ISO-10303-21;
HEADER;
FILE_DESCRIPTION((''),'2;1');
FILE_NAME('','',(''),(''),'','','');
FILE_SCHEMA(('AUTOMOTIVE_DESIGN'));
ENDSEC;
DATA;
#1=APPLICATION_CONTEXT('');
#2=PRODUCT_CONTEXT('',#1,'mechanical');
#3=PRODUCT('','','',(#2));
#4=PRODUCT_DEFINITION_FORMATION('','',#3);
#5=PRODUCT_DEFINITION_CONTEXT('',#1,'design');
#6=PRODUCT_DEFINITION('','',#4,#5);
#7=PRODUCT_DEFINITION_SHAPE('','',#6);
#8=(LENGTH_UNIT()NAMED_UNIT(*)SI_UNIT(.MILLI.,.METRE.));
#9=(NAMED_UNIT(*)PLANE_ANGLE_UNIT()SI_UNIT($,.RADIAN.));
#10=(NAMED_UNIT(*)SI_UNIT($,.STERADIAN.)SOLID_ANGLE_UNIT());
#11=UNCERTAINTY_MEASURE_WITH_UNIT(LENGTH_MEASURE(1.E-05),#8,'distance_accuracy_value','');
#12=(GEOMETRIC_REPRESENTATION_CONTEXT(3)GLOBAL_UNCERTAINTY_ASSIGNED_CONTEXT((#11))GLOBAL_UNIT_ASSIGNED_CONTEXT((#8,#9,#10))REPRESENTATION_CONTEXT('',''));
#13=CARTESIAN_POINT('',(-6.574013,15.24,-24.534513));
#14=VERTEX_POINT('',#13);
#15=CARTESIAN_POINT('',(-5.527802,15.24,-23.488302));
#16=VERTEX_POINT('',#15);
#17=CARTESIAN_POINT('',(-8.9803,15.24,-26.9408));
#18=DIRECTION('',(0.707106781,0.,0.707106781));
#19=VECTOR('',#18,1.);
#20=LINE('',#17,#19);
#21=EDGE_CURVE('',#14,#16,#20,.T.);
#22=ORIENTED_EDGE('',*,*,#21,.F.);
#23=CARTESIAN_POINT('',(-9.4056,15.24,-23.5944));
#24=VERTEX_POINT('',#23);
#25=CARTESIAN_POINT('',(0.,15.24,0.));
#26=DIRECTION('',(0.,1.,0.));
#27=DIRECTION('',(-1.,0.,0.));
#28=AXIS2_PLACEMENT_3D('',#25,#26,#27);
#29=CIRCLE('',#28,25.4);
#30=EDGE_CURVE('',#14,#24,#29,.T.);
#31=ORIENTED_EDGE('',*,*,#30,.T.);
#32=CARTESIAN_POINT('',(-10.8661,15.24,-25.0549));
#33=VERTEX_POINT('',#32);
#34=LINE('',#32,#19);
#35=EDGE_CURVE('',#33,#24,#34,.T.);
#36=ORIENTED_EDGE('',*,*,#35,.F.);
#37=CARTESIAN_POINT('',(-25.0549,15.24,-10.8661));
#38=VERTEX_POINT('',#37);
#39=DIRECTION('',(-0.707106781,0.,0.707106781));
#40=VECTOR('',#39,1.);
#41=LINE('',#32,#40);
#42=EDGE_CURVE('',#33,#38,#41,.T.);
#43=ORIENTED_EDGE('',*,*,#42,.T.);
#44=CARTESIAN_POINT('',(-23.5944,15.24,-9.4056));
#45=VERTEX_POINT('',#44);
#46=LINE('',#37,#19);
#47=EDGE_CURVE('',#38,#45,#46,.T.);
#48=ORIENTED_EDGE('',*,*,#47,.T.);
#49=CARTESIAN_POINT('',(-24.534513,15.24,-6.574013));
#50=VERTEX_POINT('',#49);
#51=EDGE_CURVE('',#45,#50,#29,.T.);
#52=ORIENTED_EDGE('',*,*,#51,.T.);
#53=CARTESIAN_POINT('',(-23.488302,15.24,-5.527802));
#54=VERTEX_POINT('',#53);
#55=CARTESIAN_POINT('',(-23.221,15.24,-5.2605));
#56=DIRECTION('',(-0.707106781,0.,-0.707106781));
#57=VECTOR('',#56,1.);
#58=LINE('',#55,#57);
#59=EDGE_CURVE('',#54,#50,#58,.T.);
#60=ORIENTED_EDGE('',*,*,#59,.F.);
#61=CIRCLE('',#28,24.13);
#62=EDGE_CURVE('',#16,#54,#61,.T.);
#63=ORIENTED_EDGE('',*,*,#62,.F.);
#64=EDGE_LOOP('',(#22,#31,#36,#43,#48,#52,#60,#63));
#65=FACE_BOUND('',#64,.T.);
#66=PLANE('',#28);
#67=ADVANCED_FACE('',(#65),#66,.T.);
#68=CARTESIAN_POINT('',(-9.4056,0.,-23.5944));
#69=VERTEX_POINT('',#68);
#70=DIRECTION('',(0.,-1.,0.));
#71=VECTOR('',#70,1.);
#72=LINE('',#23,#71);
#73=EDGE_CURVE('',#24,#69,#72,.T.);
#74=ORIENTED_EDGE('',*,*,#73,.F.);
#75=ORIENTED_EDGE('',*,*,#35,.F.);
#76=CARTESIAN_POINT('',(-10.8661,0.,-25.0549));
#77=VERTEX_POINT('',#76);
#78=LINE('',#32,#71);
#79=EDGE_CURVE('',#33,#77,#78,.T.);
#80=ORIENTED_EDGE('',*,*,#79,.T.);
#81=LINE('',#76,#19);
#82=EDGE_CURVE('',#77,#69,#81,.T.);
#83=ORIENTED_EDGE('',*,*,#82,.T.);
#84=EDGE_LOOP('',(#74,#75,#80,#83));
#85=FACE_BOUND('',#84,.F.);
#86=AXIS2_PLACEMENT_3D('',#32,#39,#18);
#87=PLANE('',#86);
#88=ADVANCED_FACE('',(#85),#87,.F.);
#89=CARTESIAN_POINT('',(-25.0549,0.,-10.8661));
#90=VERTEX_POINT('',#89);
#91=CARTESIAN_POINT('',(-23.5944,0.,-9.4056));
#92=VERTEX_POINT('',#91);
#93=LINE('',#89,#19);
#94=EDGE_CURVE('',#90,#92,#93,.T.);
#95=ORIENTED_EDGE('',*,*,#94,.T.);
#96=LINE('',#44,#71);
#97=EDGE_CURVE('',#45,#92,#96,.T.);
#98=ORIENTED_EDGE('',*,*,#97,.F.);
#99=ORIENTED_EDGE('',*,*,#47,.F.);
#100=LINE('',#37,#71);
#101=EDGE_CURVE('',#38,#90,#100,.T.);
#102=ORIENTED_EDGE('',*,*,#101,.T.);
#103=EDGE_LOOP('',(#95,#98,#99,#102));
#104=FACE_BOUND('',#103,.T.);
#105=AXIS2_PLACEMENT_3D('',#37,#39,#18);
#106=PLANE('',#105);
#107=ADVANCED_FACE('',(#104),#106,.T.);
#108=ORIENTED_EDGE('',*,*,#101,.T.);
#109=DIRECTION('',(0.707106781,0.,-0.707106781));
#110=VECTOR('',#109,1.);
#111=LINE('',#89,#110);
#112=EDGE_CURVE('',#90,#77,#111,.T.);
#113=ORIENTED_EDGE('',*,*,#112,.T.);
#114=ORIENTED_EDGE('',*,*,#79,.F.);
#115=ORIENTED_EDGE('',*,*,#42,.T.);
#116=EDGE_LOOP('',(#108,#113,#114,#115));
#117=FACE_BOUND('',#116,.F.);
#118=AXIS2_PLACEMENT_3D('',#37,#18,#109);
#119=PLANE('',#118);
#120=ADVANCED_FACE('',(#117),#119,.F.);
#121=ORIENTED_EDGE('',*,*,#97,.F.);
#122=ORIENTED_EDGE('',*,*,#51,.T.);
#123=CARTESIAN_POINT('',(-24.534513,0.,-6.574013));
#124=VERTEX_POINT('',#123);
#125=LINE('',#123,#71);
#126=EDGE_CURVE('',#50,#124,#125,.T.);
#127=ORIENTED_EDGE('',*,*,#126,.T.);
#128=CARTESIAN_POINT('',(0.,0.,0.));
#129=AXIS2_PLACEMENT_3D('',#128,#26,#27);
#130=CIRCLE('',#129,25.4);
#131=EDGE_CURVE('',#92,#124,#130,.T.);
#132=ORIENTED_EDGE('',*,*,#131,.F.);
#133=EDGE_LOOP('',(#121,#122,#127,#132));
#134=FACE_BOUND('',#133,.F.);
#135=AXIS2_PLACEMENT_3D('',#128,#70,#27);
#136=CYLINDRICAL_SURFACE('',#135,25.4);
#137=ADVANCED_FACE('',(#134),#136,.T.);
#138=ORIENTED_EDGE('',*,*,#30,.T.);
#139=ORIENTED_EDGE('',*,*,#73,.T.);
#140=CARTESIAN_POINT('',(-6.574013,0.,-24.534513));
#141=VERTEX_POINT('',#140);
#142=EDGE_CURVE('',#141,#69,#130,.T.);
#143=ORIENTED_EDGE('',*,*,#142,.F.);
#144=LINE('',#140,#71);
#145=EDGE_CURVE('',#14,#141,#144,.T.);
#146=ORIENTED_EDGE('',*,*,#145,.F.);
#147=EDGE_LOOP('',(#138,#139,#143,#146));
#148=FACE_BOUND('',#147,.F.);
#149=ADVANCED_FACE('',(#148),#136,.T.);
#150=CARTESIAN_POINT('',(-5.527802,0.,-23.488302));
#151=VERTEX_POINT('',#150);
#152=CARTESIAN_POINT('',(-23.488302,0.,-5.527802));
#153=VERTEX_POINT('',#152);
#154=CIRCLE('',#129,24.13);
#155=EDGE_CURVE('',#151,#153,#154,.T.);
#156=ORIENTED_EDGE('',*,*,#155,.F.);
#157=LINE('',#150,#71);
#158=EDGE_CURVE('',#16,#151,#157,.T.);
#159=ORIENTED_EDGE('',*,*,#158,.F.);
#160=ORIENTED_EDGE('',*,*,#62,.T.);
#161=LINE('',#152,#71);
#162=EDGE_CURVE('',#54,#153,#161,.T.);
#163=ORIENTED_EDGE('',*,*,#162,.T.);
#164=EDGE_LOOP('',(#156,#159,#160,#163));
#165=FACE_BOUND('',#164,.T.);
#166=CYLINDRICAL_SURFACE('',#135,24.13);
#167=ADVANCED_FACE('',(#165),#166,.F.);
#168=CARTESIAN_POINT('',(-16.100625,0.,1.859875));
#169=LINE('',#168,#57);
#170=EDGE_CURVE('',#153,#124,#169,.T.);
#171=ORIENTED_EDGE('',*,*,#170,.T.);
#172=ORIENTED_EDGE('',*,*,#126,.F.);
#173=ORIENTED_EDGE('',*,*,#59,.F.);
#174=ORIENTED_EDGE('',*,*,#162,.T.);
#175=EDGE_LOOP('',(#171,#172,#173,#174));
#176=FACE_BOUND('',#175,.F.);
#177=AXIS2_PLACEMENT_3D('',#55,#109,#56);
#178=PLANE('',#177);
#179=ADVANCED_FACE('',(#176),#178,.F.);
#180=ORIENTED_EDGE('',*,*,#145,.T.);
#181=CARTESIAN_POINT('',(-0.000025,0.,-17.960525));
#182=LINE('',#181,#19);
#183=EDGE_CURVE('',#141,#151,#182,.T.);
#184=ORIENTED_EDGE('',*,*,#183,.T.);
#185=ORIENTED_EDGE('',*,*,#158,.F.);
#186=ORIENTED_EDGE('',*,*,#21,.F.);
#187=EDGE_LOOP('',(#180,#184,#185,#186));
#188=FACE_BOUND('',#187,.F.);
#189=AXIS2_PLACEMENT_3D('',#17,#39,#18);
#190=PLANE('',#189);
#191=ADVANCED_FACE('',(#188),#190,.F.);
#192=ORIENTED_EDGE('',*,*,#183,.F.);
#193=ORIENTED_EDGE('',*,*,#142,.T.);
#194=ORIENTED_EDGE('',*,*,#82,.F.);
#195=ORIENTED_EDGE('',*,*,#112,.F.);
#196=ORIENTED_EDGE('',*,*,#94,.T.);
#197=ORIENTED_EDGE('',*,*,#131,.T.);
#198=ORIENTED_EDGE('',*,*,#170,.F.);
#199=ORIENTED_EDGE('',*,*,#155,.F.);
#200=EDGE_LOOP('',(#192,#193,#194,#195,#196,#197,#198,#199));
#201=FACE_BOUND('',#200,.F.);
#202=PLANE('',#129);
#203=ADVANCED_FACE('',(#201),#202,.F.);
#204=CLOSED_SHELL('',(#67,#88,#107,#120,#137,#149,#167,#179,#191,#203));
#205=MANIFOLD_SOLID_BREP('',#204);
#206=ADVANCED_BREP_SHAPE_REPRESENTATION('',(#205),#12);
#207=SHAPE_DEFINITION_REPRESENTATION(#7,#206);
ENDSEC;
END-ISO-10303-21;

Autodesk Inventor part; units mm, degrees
ref_plane "YZ Plane" through (0, 0, 0) normal (1, 0, 0) x (0, 1, 0)
ref_plane "XZ Plane" through (0, 0, 0) normal (0, 1, 0) x (-1, 0, 0)
ref_plane "XY Plane" through (0, 0, 0) normal (0, 0, 1) x (1, 0, 0)
sketch "Sketch1" plane through (0, 0, 0) normal (0, 1, 0) x (-1, 0, 0)
  circle A0 centre (0, 0) radius 24.13
  circle A1 centre (0, 0) radius 25.4
  line L0 (25.4, 0) -> (0, 0)
  line L1 (0, 0) -> (0, -25.4)
  point P0 (0, -24.13)
  point P1 (24.13, 0)
  dimension "d0" = 48.26
  dimension "d1" = 50.8
extrude "Extrusion1" add sketch "Sketch1" along normal blind 15.24 contours L0 A1 L1 A0 picked at (24.5627, -3.6738)
sketch "Sketch2" plane through (0, 15.24, 0) normal (0, 1, 0) x (1, 0, 0)
  line L0 (-25.0549, 10.8661) -> (-10.8661, 25.0549)
  arc A0 (0, 25.4) -> (-25.4, 0) centre (0, 0) ccw projected
  line L1 (0, 0) -> (-17.9605, 17.9605)
  line L2 (-25.0549, 10.8661) -> (-23.5944, 9.4056)
  line L3 (-10.8661, 25.0549) -> (-9.4056, 23.5944)
  point P0 (-17.9605, 17.9605)
  dimension "d4" = 20.066
extrude "Extrusion2" add sketch "Sketch2" against normal up to surface (15.24 mm away)
sketch "Sketch3" plane through (0, 15.24, 0) normal (0, 1, 0) x (1, 0, 0)
  line L0 (-24.6957, 11.2253) -> (-11.2253, 24.6957) projected
  line L1 (-17.9605, 17.9605) -> (-8.9803, 26.9408)
  line L2 (-8.9803, 26.9408) -> (-5.2605, 23.221)
  line L3 (-5.2605, 23.221) -> (-23.221, 5.2605)
  line L4 (-23.221, 5.2605) -> (-26.9408, 8.9803)
  line L5 (-26.9408, 8.9803) -> (-17.9605, 17.9605)
  line L6 (-10.8661, 25.0549) -> (-25.0549, 10.8661) projected
  line L7 (-5.2605, 23.221) -> (3.175, 20.6375)
  line L8 (3.175, 20.6375) -> (3.175, 30.7046)
  line L9 (3.175, 30.7046) -> (-8.9803, 26.9408)
  line L10 (-26.9408, 8.9803) -> (-30.2776, -1.7961)
  line L11 (-30.2776, -1.7961) -> (-21.5572, -1.7961)
  line L12 (-21.5572, -1.7961) -> (-23.221, 5.2605)
  point P0 (0, 0)
  dimension "d7" = 12.7
  dimension "d8" = 12.7
extrude "Extrusion3" cut sketch "Sketch3" against normal through all contours L4 L12 L11 L10 | L9 L8 L7 L2
equation "\"d8\" = d7"
properties part number "buttonholderscooterpart"
